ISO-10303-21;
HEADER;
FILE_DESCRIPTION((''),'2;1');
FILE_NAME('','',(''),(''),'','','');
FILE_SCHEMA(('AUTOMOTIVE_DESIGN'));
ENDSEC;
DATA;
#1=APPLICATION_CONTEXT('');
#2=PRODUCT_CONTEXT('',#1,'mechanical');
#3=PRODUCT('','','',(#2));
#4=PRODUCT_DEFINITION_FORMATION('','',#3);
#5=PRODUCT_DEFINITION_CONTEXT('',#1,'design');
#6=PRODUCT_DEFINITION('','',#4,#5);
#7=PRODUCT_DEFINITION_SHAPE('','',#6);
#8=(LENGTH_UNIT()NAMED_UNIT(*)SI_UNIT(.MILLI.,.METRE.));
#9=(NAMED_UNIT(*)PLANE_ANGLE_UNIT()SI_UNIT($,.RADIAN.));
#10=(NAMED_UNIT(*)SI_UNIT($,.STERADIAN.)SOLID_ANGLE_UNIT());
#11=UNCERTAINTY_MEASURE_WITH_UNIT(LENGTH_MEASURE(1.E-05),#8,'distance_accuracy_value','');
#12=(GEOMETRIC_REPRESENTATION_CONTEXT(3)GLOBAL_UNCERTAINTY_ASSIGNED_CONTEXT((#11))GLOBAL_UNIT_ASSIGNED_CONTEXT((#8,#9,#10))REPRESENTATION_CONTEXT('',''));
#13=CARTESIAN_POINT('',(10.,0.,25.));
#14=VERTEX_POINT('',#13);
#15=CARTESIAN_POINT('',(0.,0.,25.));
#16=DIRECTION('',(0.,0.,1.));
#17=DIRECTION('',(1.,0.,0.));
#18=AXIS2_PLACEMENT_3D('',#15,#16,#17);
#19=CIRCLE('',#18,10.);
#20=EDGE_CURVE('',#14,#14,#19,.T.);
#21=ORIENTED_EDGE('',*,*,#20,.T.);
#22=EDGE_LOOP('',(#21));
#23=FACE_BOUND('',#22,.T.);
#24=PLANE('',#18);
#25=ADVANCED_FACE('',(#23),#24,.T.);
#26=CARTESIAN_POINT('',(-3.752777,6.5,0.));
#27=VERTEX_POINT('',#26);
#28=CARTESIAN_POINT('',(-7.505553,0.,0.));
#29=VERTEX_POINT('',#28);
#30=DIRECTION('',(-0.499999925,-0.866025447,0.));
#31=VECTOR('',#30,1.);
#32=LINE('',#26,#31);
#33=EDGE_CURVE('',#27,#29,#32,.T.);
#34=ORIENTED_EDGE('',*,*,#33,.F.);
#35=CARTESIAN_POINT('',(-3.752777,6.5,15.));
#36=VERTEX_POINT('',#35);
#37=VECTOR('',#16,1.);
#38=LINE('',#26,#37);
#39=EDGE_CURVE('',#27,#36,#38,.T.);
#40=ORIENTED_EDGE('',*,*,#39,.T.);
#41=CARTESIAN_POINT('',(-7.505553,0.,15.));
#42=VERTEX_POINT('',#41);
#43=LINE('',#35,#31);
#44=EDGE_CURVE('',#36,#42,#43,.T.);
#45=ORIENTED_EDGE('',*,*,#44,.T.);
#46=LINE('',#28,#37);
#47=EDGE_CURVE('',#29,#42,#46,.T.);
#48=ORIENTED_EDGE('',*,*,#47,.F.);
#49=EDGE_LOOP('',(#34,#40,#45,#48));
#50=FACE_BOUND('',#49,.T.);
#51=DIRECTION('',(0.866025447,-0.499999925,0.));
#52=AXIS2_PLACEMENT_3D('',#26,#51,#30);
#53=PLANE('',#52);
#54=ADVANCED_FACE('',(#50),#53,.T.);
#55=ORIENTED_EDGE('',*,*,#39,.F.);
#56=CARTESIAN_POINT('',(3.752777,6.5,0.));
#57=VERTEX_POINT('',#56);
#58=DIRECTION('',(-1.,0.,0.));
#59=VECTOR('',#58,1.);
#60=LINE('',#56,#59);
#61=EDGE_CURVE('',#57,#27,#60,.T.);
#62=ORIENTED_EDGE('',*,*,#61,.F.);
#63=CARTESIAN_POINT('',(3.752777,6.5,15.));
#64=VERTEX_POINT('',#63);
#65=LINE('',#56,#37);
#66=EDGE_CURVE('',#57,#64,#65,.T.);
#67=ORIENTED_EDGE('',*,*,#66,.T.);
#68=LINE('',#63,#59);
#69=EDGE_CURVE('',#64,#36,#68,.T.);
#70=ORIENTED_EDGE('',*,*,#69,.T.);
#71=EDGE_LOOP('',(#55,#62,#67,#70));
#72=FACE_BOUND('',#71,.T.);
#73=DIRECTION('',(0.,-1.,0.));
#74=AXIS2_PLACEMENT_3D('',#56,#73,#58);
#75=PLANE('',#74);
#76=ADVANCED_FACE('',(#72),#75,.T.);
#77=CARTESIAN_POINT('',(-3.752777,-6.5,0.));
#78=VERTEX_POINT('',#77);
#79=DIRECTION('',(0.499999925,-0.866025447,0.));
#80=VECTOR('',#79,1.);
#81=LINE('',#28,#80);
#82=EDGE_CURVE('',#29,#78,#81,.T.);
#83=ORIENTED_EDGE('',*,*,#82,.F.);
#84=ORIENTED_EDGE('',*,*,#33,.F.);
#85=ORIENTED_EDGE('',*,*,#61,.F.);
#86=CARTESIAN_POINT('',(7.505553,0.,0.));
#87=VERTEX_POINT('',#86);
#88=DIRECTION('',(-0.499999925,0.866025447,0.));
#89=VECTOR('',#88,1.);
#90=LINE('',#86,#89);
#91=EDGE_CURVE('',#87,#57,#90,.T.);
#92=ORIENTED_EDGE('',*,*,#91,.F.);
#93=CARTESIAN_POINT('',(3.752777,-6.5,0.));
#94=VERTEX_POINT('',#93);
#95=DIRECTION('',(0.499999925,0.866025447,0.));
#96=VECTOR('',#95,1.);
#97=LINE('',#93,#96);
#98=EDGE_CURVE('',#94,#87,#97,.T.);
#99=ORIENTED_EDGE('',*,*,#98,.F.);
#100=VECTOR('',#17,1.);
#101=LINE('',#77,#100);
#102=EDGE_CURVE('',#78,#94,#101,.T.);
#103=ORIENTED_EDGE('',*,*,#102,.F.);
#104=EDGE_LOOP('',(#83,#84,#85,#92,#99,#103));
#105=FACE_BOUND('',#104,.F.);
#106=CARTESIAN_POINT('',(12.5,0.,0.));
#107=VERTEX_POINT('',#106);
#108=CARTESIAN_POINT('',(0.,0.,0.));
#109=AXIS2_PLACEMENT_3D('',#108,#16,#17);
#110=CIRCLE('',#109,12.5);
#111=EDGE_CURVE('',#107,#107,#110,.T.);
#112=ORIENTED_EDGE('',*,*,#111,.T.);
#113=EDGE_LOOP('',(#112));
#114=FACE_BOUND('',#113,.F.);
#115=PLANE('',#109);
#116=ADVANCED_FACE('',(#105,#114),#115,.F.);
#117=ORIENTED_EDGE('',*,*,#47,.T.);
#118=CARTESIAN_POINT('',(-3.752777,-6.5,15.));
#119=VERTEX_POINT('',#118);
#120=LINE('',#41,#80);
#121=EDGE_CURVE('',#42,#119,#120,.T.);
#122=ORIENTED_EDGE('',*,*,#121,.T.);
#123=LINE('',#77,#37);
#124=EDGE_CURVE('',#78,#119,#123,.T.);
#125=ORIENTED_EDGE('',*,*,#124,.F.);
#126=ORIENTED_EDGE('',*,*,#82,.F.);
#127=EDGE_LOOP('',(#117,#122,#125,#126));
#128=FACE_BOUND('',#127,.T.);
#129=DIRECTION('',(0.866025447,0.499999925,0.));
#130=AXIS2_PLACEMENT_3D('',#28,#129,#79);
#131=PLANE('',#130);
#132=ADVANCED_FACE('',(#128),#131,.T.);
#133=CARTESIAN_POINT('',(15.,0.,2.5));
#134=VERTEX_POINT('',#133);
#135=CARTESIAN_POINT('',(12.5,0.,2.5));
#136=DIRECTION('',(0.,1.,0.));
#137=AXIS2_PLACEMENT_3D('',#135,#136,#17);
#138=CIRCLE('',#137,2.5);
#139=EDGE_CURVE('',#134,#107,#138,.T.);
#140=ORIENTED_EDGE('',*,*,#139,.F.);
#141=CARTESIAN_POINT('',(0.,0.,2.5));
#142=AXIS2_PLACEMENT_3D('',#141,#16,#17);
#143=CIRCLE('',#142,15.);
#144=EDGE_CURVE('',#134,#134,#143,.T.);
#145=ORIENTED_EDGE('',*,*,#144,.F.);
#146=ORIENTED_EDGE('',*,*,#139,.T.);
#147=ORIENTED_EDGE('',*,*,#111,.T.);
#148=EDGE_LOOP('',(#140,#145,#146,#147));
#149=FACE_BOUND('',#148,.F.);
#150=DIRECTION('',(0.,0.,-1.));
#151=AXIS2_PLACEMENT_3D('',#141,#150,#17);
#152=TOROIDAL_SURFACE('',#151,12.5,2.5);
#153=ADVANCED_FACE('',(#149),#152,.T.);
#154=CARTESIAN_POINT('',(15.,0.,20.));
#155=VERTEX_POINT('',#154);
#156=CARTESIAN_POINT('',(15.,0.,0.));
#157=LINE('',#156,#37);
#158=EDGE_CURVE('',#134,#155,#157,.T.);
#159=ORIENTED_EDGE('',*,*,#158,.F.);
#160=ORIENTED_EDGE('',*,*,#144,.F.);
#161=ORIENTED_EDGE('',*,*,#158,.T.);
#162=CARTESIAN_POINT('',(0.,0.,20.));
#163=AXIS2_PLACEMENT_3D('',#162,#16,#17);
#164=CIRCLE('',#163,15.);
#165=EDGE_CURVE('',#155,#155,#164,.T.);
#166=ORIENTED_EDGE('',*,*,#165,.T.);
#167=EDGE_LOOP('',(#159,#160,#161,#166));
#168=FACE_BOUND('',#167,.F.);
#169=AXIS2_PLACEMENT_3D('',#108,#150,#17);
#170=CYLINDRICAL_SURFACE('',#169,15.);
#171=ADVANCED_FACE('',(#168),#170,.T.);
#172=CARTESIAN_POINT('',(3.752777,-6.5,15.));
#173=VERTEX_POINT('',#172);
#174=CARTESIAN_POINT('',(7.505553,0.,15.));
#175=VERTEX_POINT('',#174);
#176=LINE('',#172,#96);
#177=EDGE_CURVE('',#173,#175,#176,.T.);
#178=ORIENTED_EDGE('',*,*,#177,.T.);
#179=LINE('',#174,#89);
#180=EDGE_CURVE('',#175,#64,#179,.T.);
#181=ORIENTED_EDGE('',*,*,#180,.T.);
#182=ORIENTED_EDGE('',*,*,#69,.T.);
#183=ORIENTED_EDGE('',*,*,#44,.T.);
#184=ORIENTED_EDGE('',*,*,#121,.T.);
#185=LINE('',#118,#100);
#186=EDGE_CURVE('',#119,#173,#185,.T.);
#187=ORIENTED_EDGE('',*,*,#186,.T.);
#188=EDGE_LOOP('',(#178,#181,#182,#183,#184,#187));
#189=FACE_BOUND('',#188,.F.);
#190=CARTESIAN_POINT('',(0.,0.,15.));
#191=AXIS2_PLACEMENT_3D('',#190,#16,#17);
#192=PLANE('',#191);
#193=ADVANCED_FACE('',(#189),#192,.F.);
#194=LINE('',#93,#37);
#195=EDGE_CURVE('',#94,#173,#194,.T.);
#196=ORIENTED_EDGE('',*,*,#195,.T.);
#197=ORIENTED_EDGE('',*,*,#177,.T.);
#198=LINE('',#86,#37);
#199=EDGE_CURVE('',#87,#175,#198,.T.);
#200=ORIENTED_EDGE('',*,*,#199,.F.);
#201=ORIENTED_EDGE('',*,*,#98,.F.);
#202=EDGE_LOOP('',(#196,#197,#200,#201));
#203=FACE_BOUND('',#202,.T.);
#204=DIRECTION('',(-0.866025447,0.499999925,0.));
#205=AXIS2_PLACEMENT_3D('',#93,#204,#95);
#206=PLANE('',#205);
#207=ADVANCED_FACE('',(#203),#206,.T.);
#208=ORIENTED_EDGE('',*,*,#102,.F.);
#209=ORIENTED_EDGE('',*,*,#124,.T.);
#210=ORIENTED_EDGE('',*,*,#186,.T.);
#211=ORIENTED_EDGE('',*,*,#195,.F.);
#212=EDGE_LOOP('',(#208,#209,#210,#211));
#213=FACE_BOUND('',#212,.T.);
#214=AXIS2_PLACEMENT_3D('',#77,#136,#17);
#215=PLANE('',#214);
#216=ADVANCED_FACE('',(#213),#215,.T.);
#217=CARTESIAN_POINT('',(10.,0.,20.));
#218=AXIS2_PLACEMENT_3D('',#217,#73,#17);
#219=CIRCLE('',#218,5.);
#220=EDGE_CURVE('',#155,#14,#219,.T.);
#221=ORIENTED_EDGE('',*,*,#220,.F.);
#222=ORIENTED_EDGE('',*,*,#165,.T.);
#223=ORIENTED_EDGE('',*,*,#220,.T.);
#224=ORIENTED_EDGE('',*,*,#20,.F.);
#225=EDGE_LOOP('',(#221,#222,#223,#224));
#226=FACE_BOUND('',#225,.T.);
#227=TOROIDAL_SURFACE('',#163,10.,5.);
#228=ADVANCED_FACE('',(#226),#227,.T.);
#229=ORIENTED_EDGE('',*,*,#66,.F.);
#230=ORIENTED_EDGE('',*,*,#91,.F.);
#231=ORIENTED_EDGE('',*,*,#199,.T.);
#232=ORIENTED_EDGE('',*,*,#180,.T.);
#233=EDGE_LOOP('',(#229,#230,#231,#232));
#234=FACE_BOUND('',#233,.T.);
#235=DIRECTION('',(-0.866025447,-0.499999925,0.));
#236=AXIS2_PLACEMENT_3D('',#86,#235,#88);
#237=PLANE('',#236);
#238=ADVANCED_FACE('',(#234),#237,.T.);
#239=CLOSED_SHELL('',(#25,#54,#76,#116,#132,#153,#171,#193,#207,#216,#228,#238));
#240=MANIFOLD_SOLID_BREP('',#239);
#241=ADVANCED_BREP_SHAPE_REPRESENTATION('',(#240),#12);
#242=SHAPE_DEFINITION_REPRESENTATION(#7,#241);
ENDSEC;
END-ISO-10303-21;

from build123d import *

# Parameters (mm, degrees)
F0_R     = 15
F1_DEPTH = 25
F2_R     = 5
F3_R     = 2.5
F4_DEPTH = 15


with BuildPart() as f1:
    # F0 (on Top) → F1 (new body)
    with BuildSketch(Plane.XY):
        Circle(F0_R)
        Polygon((-7.505553, 0), (-3.752777, 6.5), (3.752777, 6.5), (7.505553, 0), (3.752777, -6.5), (-3.752777, -6.5), align=None, mode=Mode.SUBTRACT)
        Polygon((3.752777, 6.5), (-3.752777, 6.5), (-7.505553, 0), (-3.752777, -6.5), (3.752777, -6.5), (7.505553, 0), align=None)
    extrude(amount=F1_DEPTH)

    # F2
    f2_edges = [f1.edges().sort_by_distance(p)[0] for p in [
        (-15, 0, 25),
    ]]
    fillet(f2_edges, radius=F2_R)

    # F3
    f3_edges = [f1.edges().sort_by_distance(p)[0] for p in [
        (-15, 0, 0),
    ]]
    fillet(f3_edges, radius=F3_R)

    # F0 (on Top) → F4 (cut)
    with BuildSketch(Plane.XY):
        Polygon((3.752777, 6.5), (-3.752777, 6.5), (-7.505553, 0), (-3.752777, -6.5), (3.752777, -6.5), (7.505553, 0), align=None)
    extrude(amount=F4_DEPTH, mode=Mode.SUBTRACT)


solid = f1.part
